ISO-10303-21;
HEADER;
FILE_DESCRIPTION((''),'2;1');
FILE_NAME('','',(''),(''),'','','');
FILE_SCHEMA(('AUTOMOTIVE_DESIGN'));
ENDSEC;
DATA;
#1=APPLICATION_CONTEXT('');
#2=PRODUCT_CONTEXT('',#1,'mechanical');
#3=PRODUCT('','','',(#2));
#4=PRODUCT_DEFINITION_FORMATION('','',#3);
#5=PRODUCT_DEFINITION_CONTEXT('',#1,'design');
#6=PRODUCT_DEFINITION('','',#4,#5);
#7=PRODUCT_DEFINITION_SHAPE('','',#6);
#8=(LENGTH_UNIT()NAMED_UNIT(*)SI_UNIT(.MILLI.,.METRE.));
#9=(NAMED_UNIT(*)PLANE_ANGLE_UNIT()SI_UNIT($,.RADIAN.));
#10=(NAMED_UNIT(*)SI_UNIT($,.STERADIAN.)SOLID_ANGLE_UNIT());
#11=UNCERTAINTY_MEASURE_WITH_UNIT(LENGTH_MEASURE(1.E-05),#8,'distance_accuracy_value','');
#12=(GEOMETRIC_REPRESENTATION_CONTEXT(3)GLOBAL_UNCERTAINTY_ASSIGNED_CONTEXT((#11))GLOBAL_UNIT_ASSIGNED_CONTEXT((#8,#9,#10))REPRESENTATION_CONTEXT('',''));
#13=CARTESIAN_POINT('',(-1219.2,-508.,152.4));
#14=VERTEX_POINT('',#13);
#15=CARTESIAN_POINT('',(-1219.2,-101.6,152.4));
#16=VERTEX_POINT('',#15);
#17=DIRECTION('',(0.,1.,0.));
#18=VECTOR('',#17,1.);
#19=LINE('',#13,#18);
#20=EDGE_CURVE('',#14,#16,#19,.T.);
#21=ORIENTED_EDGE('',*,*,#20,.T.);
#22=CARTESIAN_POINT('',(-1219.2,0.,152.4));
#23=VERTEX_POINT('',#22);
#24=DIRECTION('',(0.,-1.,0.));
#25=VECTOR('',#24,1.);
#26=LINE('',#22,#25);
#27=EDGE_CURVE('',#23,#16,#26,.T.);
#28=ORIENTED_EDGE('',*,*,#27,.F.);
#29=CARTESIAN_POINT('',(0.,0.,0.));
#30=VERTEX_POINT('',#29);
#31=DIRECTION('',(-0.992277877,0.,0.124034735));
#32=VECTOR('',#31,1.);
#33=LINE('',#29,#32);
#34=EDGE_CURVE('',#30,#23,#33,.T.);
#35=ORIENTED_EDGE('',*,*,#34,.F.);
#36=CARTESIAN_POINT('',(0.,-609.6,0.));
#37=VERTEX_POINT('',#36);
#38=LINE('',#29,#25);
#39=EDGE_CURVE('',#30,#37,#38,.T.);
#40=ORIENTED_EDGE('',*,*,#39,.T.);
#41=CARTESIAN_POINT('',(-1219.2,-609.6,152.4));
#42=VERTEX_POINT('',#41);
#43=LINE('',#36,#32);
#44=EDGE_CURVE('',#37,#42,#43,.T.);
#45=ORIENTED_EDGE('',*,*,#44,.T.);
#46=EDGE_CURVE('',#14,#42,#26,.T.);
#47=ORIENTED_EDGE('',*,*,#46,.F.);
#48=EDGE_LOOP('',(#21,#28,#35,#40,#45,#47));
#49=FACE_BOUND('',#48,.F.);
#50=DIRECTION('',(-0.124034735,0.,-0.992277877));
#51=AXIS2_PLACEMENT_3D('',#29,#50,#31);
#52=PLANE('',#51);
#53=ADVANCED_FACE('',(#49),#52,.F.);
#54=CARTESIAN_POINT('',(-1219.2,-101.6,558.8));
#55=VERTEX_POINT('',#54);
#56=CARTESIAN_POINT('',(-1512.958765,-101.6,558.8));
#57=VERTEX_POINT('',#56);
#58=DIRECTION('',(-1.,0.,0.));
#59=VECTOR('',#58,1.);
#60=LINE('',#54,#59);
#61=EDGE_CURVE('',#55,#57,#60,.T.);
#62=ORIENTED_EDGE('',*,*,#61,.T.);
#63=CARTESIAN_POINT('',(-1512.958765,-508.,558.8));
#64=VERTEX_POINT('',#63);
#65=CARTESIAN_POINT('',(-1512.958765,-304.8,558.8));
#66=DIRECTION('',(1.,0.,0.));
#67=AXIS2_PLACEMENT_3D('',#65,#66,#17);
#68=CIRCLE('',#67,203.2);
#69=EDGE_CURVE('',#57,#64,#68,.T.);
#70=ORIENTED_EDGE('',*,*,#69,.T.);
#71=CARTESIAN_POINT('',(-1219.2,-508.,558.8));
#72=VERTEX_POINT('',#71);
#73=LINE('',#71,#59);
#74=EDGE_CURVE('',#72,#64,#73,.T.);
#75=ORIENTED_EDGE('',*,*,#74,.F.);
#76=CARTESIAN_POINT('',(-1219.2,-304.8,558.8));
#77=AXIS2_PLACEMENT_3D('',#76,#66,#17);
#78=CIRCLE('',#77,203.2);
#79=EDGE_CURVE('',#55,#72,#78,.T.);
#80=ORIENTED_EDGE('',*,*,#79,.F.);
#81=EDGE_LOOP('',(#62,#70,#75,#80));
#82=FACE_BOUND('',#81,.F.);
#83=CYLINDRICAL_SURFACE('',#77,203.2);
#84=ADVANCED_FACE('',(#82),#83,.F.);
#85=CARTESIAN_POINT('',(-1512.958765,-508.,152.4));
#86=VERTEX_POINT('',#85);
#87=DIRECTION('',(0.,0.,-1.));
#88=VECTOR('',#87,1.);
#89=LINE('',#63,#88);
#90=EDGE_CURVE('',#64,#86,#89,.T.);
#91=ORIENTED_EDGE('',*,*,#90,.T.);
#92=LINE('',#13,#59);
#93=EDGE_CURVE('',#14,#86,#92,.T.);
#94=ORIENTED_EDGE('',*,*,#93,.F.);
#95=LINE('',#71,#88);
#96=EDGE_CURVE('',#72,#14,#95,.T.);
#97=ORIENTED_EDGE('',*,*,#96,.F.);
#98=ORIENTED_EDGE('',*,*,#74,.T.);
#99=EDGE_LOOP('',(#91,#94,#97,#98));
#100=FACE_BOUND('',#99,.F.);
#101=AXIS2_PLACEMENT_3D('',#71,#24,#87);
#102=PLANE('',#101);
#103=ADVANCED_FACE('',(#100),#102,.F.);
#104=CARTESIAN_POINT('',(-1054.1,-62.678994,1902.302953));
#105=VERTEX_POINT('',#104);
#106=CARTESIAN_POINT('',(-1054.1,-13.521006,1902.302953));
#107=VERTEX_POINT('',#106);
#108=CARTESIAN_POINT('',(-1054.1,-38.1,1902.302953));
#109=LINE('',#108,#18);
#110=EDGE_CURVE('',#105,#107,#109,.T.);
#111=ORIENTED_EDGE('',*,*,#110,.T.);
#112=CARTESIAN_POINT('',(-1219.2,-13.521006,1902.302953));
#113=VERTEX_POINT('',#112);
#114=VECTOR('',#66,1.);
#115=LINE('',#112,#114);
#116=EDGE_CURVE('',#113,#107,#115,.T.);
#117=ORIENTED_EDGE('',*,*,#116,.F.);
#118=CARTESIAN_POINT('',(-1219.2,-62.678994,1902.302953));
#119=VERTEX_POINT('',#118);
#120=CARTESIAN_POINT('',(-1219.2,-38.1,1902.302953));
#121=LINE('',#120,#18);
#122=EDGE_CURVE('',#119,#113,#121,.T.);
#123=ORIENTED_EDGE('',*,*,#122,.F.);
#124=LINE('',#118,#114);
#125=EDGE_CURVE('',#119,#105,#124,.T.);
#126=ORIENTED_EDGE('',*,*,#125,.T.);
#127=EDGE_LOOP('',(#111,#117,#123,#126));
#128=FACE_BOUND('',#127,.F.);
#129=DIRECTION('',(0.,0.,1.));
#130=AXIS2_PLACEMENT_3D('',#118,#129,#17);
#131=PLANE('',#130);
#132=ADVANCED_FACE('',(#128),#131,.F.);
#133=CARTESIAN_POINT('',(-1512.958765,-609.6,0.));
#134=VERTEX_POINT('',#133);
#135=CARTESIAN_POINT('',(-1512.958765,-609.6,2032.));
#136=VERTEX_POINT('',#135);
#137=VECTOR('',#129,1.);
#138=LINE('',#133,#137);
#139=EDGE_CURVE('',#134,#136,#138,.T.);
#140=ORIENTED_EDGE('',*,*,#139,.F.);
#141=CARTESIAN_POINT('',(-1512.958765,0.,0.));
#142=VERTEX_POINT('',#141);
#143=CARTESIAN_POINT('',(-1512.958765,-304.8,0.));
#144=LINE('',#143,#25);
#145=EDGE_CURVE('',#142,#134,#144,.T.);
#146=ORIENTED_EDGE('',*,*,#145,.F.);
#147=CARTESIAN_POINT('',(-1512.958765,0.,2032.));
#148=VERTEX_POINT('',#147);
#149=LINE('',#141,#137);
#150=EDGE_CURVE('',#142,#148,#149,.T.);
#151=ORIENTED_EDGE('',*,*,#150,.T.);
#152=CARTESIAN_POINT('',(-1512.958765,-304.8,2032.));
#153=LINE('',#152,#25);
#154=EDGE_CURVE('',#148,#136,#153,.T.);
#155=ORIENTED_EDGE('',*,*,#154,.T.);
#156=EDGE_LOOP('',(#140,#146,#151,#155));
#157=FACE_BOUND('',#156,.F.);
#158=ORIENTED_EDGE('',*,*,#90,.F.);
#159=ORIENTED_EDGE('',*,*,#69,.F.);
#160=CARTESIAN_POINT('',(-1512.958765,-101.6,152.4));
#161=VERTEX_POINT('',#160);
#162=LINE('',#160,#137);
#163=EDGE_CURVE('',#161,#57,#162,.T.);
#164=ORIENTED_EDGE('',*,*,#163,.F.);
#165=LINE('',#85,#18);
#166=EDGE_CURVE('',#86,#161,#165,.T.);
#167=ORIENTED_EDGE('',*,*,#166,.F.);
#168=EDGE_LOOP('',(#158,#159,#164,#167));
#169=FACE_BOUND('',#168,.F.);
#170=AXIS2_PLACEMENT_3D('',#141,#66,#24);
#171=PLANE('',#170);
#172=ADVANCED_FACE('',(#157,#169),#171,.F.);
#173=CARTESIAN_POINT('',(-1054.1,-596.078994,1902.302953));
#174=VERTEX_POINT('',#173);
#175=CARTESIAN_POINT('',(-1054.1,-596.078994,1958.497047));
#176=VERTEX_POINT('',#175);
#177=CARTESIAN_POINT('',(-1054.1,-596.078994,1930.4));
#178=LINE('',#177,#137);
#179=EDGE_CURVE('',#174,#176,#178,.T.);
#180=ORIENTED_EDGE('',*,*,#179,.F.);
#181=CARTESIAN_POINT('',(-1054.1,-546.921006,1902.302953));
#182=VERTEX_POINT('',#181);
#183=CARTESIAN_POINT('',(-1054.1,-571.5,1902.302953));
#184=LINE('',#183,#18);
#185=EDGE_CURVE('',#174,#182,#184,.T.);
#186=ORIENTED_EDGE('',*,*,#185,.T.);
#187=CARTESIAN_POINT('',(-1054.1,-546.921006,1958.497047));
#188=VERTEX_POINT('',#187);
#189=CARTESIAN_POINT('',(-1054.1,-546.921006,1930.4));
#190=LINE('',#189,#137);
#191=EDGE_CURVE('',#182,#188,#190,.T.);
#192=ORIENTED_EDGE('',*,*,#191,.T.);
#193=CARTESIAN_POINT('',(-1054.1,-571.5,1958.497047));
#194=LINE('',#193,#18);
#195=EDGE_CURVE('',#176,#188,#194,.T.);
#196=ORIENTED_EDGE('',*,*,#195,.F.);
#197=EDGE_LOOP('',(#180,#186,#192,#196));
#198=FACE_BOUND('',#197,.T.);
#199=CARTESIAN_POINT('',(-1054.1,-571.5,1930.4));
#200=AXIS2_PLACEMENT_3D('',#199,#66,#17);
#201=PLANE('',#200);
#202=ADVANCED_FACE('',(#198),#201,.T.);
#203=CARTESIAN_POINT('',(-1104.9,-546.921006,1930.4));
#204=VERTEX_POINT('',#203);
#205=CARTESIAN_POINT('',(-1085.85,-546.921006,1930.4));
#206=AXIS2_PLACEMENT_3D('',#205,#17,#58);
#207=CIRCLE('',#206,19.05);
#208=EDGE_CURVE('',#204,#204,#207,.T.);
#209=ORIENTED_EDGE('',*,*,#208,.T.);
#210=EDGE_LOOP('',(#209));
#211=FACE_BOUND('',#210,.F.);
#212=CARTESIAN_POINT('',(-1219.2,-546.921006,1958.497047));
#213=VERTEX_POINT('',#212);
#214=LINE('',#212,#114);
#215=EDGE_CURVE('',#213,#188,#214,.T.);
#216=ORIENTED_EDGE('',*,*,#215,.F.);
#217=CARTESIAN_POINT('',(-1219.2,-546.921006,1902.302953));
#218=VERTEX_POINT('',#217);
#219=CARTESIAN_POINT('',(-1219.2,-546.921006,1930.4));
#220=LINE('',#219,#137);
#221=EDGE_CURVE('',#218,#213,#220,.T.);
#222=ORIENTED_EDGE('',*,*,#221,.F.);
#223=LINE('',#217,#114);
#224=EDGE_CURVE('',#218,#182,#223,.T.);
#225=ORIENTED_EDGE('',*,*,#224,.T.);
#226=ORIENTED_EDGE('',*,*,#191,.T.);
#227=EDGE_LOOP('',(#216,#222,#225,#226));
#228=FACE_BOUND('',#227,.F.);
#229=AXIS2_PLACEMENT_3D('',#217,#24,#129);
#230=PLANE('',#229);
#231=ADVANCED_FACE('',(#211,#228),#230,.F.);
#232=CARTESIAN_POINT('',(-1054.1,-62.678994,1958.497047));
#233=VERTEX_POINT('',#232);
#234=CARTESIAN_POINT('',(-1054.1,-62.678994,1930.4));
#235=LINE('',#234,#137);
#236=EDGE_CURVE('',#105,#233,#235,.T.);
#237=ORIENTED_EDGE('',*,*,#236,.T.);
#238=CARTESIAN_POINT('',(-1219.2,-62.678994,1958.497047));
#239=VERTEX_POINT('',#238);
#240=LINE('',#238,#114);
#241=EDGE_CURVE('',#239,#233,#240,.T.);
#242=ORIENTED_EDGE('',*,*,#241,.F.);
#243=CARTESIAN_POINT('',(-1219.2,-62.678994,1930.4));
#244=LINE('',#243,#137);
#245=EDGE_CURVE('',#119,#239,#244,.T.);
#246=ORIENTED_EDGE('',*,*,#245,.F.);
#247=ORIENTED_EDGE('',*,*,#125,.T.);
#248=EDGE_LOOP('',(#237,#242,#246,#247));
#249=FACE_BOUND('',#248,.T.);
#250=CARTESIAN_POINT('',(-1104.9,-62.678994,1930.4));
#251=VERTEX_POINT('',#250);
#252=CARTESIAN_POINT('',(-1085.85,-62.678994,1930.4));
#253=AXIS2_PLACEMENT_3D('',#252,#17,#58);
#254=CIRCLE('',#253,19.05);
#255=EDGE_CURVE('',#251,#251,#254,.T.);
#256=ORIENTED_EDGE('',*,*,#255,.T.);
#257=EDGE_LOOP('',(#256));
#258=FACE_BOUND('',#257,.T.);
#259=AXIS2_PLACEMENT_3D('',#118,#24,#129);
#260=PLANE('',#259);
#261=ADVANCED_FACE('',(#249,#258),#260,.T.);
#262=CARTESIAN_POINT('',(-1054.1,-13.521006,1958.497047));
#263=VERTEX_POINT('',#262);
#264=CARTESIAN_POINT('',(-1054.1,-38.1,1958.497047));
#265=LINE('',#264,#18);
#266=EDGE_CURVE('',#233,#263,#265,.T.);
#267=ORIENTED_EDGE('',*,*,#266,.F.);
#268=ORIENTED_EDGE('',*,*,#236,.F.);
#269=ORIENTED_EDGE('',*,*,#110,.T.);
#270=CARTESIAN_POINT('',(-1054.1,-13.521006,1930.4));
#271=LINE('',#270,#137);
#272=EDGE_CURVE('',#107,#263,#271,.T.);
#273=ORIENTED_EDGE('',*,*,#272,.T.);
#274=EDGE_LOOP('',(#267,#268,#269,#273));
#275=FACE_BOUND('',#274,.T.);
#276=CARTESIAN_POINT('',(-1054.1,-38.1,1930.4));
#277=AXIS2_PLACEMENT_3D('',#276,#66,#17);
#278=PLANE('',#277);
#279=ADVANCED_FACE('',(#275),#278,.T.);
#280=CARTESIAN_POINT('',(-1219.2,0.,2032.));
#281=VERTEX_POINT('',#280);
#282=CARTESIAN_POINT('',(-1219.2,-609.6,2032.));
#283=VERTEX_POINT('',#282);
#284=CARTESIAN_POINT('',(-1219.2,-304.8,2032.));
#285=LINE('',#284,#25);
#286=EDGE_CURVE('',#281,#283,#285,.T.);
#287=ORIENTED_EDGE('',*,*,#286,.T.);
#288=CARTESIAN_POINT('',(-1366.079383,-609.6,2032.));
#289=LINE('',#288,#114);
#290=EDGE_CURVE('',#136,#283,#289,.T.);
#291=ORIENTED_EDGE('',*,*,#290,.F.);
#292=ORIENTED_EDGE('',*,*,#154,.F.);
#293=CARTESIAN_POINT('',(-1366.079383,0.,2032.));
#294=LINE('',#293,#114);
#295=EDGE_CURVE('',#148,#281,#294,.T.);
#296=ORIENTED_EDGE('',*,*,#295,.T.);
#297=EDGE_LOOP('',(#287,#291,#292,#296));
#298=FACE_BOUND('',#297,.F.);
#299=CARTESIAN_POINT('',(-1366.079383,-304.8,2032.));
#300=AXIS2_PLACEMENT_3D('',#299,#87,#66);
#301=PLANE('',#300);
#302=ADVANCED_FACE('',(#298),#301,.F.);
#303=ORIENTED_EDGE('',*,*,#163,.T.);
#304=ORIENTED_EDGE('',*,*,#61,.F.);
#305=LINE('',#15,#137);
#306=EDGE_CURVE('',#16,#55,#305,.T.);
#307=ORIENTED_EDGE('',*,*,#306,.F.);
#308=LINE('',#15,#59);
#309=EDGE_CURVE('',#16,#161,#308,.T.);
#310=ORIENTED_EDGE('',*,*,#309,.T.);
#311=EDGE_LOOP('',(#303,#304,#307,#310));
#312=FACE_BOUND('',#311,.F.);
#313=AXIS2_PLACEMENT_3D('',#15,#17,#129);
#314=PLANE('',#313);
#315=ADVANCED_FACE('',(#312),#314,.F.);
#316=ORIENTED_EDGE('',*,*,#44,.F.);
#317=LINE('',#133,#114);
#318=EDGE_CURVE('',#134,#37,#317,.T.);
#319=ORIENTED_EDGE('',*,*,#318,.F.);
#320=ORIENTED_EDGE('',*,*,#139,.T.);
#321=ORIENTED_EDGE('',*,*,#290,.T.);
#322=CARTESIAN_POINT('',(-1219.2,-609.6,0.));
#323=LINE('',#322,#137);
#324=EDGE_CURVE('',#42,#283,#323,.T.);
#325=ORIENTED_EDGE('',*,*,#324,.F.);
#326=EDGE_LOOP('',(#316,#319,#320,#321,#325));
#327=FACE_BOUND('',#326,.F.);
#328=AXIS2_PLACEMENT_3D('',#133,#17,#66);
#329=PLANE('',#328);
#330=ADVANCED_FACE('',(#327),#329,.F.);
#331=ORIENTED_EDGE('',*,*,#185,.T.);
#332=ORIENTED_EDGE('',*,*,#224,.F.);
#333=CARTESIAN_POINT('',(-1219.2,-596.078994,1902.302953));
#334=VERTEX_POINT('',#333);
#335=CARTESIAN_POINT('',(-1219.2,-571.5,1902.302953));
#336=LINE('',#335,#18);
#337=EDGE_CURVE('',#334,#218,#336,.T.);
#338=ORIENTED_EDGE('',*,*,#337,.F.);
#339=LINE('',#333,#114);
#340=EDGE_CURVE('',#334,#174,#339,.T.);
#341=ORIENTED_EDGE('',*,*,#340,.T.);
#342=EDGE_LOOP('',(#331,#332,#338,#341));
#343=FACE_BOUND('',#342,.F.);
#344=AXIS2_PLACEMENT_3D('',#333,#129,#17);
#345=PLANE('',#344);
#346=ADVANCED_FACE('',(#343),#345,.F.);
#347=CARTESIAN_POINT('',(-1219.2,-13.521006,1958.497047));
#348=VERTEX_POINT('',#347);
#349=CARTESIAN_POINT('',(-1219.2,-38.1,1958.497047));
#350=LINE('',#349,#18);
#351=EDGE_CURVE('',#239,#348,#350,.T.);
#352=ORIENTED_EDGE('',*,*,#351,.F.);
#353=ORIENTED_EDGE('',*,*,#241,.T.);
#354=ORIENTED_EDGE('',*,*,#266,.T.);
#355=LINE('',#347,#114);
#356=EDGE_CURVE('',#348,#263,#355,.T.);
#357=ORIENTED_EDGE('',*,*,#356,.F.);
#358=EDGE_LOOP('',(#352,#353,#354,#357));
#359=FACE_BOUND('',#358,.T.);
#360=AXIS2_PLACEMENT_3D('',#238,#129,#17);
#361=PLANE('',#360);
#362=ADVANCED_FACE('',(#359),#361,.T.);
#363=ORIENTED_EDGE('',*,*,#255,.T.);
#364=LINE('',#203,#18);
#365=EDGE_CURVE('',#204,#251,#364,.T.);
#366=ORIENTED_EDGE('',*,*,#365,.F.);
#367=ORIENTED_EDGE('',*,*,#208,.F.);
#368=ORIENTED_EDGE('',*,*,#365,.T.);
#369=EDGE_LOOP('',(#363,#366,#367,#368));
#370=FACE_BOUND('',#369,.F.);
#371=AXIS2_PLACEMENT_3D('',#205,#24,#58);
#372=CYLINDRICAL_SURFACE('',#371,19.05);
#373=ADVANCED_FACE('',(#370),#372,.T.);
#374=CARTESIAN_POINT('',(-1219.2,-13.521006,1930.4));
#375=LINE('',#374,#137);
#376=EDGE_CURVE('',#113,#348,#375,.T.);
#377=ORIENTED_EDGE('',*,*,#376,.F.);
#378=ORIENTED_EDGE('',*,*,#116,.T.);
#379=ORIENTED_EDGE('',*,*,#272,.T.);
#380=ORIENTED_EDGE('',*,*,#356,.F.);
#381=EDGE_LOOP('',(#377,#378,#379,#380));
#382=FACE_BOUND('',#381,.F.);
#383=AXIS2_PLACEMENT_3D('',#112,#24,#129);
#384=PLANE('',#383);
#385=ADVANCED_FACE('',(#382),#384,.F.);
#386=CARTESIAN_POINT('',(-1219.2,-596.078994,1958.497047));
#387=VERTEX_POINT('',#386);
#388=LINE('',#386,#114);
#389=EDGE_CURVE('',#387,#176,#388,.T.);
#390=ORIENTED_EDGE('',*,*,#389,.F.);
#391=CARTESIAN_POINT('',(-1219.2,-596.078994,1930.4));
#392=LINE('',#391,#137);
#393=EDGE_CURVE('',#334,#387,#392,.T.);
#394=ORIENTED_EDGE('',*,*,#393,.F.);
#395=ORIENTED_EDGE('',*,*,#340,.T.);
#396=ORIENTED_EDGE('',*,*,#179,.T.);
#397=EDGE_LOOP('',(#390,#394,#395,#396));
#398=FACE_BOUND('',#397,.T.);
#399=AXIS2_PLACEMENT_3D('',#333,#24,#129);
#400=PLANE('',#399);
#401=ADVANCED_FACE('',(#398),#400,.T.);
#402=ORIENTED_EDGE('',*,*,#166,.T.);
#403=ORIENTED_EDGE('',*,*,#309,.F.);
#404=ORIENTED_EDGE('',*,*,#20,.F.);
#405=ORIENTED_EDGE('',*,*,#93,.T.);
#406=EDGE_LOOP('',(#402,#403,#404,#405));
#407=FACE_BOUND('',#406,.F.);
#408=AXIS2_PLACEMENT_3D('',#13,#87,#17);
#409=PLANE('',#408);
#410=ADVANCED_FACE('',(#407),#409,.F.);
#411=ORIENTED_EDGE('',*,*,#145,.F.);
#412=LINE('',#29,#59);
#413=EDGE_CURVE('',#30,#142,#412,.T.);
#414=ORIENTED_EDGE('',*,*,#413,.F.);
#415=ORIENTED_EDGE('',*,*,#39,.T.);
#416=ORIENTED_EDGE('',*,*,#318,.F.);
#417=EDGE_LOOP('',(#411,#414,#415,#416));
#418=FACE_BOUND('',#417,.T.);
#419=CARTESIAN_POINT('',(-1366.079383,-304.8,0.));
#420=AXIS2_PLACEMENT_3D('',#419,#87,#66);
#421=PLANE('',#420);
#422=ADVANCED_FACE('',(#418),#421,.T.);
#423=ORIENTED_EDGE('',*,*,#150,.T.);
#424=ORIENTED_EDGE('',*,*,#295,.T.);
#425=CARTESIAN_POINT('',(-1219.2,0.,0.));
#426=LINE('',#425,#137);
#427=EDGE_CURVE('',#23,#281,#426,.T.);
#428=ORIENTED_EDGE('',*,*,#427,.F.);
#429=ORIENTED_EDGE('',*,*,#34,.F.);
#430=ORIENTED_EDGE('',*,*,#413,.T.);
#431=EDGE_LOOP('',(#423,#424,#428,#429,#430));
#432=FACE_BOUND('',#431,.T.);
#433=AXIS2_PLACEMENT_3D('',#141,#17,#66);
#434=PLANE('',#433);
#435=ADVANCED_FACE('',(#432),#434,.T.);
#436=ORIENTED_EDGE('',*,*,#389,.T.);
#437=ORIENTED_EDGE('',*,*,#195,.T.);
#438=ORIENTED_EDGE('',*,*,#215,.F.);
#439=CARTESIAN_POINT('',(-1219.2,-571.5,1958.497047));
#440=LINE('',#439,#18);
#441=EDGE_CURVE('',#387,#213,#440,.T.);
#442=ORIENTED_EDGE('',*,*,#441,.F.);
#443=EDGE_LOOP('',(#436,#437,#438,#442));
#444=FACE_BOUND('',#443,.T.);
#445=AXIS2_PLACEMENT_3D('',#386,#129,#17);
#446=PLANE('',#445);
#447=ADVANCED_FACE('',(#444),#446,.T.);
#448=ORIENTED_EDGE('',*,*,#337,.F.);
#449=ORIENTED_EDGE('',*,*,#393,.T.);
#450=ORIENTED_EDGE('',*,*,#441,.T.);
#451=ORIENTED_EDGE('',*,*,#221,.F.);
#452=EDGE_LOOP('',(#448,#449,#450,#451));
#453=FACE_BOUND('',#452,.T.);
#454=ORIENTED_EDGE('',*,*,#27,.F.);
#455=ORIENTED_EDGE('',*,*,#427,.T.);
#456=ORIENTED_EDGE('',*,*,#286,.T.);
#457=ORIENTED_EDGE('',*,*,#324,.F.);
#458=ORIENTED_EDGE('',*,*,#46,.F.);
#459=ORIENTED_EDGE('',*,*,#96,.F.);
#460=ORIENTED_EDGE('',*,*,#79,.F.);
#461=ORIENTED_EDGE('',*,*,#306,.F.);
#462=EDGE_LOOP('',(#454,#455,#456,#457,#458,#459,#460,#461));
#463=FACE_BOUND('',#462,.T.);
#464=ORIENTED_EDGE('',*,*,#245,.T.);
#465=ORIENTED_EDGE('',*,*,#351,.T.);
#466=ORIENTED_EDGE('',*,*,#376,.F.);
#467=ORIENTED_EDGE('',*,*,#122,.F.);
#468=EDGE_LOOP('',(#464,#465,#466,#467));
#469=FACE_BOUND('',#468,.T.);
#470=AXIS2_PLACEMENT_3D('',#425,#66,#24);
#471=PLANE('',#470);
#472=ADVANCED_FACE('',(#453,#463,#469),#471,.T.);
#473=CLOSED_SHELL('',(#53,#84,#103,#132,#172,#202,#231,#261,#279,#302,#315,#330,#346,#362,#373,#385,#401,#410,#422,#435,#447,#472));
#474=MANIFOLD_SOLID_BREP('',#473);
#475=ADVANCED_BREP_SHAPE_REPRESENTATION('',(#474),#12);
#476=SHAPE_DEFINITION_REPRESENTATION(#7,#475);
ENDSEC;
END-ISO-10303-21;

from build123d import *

# Parameters (mm, degrees)
F1_DEPTH = 609.6
F2_W     = 293.7587650299
F2_H     = 609.6
F3_DEPTH = 2032
F4_W     = 49.1579873383
F4_H     = 56.1940948486
F5_DEPTH = 165.1
F6_R     = 19.05
F7_DEPTH = 484.2420126617
F9_DEPTH = 293.7587650299


with BuildPart() as f1:
    # F0 (on Front) → F1 (new body)
    with BuildSketch(Plane.XZ):
        Polygon((-1219.2, 0), (0, 0), (-1219.2, 152.4), align=None)
    extrude(amount=F1_DEPTH)

    # F2 (on face) → F3 (join)
    with BuildSketch(Plane(origin=(0, 0, 0), x_dir=(1, 0, 0), z_dir=(0, 0, -1))):
        with Locations((-1366.079382515, 304.8)):
            Rectangle(F2_W, F2_H)
    extrude(amount=-F3_DEPTH)

    # F4 (on face) → F5 (join)
    with BuildSketch(Plane.YZ.offset(-1219.2)):
        with Locations((-571.5, 1930.4)):
            Rectangle(F4_W, F4_H)
        with Locations((-38.1, 1930.4)):
            Rectangle(F4_W, F4_H)
    extrude(amount=F5_DEPTH)

    # F6 (on face) → F7 (join, through all)
    with BuildSketch(Plane(origin=(0, -546.9210063308, 0), x_dir=(-1, 0, 0), z_dir=(0, 1, 0))):
        with Locations((1085.85, 1930.4)):
            Circle(F6_R)
    extrude(amount=F7_DEPTH)

    # F8 (on face) → F9 (cut, through all)
    with BuildSketch(Plane.YZ.offset(-1219.2)):
        with BuildLine():
            Line((-508, 558.8), (-508, 152.4))
            Line((-508, 152.4), (-101.6, 152.4))
            Line((-101.6, 152.4), (-101.6, 558.8))
            ThreePointArc((-101.6, 558.8), (-304.8, 762), (-508, 558.8))
        make_face()
    extrude(amount=-F9_DEPTH, mode=Mode.SUBTRACT)


solid = f1.part
